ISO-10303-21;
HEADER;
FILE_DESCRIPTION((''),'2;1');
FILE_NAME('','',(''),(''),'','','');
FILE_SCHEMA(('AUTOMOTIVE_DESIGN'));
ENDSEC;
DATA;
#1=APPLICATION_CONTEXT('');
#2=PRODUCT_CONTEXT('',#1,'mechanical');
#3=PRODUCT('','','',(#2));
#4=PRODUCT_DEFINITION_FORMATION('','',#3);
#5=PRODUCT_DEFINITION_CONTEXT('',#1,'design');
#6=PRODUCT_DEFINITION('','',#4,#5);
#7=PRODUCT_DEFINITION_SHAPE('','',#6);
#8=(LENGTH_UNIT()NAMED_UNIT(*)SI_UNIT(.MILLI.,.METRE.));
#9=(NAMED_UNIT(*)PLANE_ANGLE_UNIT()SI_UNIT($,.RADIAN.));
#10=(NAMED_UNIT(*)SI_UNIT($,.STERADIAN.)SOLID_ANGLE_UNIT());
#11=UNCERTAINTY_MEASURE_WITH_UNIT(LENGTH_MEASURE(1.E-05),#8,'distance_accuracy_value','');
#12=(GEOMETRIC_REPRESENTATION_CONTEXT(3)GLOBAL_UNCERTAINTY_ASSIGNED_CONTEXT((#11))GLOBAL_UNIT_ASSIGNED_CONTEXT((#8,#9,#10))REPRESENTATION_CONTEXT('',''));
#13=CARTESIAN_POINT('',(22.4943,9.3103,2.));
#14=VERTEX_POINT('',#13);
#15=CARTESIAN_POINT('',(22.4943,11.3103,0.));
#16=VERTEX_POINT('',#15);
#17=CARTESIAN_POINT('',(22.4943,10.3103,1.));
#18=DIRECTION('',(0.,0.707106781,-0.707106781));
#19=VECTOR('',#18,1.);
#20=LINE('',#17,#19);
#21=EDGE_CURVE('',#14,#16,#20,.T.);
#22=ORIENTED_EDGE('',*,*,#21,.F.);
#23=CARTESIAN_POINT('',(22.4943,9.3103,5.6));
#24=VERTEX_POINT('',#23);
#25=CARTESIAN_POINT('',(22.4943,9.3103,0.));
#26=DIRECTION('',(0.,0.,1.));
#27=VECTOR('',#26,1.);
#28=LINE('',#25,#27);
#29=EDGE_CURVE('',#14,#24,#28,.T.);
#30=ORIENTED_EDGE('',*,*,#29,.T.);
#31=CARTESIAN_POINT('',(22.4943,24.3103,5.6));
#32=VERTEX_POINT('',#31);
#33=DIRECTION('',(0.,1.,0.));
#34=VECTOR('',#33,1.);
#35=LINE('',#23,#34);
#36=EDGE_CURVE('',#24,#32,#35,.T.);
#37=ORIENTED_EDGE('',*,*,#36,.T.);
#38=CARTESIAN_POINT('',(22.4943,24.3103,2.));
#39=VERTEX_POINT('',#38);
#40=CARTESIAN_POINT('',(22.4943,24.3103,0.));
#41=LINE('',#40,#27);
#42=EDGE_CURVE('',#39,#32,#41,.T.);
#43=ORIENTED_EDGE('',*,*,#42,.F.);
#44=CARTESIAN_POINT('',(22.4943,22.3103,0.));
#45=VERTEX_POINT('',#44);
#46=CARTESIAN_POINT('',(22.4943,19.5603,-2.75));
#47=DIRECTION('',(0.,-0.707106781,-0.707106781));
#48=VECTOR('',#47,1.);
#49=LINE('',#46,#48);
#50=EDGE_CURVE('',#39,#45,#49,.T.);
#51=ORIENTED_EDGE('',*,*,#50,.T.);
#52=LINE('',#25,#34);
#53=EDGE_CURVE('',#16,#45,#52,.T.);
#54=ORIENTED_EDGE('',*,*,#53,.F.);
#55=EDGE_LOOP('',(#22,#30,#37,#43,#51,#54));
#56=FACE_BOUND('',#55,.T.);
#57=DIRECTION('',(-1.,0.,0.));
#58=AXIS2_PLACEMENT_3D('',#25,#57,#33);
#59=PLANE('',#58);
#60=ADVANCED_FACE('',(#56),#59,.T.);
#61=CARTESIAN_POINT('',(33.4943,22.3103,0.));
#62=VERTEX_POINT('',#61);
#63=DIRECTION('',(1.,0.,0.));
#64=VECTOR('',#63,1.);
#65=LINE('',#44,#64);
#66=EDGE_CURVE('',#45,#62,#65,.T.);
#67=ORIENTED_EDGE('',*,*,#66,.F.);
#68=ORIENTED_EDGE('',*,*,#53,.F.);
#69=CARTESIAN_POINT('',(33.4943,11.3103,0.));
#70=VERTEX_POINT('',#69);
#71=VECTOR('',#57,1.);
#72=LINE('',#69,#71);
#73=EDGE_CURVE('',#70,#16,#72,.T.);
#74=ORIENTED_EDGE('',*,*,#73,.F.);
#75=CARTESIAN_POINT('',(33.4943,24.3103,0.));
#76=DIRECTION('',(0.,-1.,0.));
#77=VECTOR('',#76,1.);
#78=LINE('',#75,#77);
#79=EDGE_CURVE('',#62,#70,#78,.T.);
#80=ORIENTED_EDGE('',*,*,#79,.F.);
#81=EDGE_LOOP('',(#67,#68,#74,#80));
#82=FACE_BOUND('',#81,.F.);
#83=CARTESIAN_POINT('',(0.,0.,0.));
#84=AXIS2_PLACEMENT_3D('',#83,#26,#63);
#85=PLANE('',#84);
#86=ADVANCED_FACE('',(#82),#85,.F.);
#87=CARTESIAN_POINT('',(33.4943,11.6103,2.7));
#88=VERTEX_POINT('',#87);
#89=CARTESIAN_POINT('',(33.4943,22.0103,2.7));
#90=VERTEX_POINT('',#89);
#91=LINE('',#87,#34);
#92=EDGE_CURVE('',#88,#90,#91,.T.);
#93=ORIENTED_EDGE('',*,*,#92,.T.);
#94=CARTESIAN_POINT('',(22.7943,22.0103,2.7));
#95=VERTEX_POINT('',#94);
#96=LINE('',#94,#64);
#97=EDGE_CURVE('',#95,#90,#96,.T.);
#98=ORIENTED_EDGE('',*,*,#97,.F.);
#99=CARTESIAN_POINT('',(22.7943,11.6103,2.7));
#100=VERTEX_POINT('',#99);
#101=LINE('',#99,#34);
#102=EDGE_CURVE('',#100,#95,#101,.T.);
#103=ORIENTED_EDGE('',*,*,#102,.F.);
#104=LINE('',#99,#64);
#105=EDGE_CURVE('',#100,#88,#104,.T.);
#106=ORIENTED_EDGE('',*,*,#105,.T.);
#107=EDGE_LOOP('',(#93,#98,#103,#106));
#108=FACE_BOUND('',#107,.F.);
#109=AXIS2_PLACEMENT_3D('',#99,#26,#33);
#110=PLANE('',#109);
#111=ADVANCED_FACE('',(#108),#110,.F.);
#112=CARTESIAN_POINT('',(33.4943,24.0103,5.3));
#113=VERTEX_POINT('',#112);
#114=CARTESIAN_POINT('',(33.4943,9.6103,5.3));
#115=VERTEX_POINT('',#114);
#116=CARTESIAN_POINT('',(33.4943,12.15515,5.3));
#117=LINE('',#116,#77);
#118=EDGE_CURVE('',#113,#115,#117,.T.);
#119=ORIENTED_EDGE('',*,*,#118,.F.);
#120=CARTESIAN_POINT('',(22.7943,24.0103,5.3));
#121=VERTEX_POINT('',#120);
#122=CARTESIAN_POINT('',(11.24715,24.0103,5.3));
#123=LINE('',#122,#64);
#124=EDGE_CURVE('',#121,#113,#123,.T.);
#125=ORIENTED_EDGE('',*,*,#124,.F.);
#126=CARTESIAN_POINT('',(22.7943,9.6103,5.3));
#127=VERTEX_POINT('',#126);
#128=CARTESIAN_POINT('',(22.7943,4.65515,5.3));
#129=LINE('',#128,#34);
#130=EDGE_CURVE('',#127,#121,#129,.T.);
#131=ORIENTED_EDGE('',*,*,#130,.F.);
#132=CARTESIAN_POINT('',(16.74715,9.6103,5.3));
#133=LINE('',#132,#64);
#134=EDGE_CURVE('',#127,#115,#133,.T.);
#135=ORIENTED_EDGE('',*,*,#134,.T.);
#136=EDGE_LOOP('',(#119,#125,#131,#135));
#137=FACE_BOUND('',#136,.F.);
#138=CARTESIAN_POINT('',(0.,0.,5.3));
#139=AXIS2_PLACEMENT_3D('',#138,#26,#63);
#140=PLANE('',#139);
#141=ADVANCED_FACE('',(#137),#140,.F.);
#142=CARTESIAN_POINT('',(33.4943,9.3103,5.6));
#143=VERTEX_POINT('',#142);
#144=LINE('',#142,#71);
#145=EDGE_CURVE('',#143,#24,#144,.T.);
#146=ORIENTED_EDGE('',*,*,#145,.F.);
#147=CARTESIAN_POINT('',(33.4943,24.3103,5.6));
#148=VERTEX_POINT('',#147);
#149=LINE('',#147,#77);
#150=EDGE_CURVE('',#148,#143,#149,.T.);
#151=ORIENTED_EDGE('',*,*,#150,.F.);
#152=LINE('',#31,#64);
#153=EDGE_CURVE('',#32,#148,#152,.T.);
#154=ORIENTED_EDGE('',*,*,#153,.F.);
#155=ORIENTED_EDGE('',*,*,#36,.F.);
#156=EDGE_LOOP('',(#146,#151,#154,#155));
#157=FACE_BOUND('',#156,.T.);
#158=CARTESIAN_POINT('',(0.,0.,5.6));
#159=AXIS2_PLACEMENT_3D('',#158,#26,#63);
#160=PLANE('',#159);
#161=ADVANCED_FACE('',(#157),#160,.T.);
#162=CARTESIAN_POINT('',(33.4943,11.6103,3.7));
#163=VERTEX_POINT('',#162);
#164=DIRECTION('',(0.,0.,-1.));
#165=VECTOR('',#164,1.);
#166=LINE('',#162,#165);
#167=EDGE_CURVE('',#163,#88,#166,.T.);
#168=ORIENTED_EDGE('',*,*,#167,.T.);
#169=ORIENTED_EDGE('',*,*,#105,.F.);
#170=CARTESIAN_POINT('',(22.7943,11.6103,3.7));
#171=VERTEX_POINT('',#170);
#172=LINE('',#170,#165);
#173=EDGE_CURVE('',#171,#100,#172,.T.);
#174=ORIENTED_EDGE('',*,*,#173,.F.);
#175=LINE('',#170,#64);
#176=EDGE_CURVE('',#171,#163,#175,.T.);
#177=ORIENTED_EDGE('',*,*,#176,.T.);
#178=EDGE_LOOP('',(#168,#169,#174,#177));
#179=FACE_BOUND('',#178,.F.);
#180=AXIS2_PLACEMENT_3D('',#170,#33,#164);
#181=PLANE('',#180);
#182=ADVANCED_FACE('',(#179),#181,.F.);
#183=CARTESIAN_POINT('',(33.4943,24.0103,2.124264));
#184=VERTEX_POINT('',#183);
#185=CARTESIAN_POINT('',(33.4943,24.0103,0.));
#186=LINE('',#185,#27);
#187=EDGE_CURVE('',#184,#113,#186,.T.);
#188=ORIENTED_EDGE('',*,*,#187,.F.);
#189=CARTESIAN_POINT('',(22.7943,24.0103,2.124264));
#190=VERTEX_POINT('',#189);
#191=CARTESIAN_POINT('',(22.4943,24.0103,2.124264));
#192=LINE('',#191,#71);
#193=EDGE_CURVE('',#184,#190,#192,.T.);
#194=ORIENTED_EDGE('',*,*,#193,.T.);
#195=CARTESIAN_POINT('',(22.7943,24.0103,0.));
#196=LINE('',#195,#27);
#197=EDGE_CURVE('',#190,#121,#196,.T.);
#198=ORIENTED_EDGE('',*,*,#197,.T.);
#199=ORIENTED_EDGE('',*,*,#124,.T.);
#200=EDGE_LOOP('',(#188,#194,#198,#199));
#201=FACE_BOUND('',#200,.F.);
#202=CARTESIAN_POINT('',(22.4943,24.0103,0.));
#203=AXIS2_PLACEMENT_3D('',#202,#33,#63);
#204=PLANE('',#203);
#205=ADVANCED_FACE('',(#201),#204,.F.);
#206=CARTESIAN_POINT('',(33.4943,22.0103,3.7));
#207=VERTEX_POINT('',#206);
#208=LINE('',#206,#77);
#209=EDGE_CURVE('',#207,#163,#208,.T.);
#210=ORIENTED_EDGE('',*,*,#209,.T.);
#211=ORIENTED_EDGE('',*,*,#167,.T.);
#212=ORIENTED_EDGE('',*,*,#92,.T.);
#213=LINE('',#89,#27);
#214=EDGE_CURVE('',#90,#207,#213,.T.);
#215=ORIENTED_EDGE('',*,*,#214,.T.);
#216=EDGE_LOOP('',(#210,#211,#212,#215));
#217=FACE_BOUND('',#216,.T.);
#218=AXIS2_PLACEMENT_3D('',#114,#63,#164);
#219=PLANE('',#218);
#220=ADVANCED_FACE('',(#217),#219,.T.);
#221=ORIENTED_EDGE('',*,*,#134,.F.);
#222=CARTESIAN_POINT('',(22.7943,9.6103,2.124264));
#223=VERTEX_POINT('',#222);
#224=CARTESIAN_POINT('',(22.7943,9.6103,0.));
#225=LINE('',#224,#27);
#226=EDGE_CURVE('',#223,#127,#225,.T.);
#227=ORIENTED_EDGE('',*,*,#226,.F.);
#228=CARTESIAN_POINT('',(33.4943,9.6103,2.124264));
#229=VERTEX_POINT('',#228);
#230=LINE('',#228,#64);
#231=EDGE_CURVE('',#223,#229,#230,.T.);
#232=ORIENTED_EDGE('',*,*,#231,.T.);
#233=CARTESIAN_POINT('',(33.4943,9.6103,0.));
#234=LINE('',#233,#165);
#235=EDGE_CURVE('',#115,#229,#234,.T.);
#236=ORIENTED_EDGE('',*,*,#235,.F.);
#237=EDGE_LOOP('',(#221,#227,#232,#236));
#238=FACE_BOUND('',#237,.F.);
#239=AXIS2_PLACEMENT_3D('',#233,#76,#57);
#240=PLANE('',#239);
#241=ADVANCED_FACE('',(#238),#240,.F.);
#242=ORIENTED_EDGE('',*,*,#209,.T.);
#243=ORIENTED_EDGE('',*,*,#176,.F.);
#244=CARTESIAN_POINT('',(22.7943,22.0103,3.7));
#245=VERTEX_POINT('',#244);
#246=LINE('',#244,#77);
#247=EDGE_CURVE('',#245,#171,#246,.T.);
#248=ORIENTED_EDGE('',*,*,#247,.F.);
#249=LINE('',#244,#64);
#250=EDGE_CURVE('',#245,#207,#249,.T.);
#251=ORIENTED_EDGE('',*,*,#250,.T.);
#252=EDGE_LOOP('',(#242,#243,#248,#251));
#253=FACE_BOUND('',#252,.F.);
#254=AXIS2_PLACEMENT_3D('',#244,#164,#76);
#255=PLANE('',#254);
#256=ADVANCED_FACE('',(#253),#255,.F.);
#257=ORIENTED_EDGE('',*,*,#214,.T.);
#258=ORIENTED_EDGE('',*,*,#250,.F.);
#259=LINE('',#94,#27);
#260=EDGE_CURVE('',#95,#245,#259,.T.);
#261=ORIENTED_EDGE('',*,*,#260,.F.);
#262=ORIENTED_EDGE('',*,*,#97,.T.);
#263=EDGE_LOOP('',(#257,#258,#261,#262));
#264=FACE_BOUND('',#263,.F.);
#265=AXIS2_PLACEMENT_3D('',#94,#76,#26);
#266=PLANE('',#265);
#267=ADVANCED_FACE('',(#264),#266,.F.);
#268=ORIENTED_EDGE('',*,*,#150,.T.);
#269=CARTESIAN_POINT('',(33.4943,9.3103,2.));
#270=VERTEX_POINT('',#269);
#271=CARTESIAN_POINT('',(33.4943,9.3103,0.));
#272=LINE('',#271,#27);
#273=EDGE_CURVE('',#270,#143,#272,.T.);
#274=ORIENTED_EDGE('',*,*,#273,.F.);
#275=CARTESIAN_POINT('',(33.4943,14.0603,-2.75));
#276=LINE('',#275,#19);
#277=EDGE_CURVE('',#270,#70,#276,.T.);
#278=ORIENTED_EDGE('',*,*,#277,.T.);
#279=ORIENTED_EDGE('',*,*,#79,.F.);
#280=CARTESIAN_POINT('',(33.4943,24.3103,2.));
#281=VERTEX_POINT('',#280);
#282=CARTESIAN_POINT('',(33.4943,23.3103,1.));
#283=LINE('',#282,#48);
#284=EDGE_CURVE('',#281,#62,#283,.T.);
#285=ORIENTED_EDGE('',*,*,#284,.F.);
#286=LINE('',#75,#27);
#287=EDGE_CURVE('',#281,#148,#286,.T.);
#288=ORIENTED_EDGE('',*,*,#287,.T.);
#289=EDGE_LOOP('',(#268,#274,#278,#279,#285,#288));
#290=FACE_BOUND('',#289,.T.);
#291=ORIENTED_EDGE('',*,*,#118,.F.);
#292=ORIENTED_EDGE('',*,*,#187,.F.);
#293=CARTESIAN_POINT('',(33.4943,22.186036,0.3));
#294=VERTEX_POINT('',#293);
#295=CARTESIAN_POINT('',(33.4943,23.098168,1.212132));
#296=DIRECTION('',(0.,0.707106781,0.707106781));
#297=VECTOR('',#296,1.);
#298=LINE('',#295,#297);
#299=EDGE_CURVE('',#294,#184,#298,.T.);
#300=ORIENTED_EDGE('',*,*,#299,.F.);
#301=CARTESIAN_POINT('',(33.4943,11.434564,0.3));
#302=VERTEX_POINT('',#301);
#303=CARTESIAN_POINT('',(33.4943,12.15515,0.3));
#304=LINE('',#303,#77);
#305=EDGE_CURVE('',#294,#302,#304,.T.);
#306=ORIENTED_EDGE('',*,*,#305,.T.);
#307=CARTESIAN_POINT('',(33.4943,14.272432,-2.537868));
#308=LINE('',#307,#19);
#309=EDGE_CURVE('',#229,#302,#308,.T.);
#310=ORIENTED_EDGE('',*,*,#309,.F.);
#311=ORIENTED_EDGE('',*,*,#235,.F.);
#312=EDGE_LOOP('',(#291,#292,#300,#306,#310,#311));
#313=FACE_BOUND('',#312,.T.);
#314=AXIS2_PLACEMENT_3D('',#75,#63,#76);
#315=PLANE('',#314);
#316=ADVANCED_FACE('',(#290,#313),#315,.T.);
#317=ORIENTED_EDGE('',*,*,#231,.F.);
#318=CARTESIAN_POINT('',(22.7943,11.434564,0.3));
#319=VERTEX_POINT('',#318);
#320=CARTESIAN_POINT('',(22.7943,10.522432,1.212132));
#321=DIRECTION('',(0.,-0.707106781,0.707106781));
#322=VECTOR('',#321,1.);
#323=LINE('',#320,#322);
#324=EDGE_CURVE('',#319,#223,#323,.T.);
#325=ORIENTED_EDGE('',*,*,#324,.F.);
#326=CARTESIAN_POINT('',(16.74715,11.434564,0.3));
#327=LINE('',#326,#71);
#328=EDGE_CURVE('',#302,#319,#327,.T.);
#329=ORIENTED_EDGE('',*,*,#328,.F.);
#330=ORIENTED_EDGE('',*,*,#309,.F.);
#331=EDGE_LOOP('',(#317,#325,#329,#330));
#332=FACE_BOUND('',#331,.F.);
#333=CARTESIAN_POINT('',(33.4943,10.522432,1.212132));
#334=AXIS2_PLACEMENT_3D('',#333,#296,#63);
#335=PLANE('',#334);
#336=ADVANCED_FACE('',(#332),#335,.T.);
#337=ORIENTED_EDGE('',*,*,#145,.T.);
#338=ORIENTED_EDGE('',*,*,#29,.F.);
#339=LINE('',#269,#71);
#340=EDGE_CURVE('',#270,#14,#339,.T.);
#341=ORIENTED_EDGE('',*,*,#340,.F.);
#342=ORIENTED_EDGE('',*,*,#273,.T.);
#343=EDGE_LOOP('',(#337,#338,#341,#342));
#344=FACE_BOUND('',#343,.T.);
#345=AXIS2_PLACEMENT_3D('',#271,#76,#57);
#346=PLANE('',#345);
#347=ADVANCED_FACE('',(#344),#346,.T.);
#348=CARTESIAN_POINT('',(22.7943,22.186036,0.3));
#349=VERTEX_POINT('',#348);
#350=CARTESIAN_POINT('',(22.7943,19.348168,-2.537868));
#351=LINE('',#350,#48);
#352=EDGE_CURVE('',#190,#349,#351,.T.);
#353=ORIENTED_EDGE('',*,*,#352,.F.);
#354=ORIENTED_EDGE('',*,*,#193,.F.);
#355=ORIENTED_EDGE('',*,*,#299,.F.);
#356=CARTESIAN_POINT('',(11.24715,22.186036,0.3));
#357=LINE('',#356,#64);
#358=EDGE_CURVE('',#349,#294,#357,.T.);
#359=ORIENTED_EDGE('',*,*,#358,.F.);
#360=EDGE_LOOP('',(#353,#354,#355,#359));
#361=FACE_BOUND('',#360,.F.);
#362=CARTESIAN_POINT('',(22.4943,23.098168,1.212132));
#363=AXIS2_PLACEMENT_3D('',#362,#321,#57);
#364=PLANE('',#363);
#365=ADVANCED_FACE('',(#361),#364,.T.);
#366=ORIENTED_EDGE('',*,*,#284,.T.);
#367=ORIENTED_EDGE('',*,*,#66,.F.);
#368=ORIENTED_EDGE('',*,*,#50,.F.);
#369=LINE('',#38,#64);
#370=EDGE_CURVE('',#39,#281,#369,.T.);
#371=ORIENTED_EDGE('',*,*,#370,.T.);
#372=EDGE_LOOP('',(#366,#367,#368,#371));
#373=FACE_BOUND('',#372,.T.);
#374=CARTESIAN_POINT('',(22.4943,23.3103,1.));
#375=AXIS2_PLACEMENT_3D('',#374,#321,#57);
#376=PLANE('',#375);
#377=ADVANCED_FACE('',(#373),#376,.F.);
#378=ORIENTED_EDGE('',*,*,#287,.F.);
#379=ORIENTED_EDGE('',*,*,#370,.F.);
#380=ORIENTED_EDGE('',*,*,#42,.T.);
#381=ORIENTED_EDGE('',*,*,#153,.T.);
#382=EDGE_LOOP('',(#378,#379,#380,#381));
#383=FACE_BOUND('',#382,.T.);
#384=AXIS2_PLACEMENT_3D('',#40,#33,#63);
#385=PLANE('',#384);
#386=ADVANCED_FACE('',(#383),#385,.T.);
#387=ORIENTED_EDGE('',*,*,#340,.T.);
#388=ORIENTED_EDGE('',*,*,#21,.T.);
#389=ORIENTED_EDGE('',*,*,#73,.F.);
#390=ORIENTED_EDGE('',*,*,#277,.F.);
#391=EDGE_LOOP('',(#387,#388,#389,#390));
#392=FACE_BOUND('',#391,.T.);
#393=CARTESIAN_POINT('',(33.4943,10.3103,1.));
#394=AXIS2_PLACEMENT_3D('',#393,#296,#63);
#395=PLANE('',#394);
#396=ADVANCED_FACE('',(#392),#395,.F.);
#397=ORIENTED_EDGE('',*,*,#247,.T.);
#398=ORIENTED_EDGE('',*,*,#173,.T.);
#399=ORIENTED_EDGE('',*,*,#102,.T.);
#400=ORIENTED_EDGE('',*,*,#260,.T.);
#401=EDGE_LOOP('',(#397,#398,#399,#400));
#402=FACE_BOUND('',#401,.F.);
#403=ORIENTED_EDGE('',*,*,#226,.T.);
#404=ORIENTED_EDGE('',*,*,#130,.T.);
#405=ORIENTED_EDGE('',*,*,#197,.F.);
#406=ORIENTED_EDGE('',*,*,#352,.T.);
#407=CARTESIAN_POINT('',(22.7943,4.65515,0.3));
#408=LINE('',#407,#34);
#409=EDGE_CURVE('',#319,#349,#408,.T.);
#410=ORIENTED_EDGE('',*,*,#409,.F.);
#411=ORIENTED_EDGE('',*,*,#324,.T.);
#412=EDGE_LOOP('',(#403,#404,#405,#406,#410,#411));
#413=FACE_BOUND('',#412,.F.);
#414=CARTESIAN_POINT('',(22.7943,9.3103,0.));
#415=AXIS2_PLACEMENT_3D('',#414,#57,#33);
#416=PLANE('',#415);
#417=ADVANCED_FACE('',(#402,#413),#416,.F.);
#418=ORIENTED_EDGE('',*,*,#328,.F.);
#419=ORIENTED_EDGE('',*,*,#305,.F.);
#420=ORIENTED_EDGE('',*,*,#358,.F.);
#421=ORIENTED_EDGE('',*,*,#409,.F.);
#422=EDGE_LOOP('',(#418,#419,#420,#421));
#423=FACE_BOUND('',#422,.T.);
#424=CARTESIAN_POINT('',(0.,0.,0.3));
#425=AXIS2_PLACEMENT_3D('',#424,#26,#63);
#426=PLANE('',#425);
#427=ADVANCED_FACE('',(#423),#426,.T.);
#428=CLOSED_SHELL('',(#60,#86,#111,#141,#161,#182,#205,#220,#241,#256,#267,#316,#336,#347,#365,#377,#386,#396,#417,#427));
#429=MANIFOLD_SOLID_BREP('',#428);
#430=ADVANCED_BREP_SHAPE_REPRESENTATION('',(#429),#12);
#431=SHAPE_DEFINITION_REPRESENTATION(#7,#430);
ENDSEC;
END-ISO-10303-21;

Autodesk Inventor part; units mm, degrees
ref_plane "YZ Plane" through (0, 0, 0) normal (1, 0, 0) x (0, 1, 0)
ref_plane "XZ Plane" through (0, 0, 0) normal (0, 1, 0) x (-1, 0, 0)
ref_plane "XY Plane" through (0, 0, 0) normal (0, 0, 1) x (1, 0, 0)
ref_plane "Work Plane2" through (0, 0, 0) normal (0, 0, 1) x (1, 0, 0)
sketch "Sketch1" plane through (0, 0, 0) normal (0, 0, 1) x (1, 0, 0)
  line L0 (22.4943, 24.3103) -> (33.4943, 24.3103)
  line L1 (33.4943, 24.3103) -> (33.4943, 9.3103)
  line L2 (33.4943, 9.3103) -> (22.4943, 9.3103)
  line L3 (22.4943, 9.3103) -> (22.4943, 24.3103)
  point P0 (0, 0)
  dimension "d0" = 11
  dimension "d2" = 15
extrude "Extrusion1" add sketch "Sketch1" along normal blind 5.6
chamfer "Chamfer1" distance 2 angle 45 2 edges at (27.9943, 9.3103, 0) (27.9943, 24.3103, 0)
shell "Shell1" thickness 0.3 removed faces 1 at (33.4943, 18.6436, 3.7333)
sketch "Sketch2" plane through (22.7943, 9.6103, 5.3) normal (1, 0, 0) x (0, 0, -1)
  line L0 (3.1757, 14.4) -> (0, 14.4) projected
  line L1 (0, 14.4) -> (0, 0) projected
  line L2 (3.1757, 0) -> (0, 0) projected
  line L3 (2.6, 12.4) -> (1.6, 12.4)
  line L4 (1.6, 12.4) -> (1.6, 2)
  line L5 (1.6, 2) -> (2.6, 2)
  line L6 (2.6, 2) -> (2.6, 12.4)
  point P0 (5.3, -9.6103)
  dimension "d9" = 1
  dimension "d12" = 2
  dimension "d13" = 2
  dimension "d14" = 1.6
extrude "Extrusion2" add sketch "Sketch2" along normal up to surface (10.7 mm away)
properties part number "nanopc_t4_hdmi"
